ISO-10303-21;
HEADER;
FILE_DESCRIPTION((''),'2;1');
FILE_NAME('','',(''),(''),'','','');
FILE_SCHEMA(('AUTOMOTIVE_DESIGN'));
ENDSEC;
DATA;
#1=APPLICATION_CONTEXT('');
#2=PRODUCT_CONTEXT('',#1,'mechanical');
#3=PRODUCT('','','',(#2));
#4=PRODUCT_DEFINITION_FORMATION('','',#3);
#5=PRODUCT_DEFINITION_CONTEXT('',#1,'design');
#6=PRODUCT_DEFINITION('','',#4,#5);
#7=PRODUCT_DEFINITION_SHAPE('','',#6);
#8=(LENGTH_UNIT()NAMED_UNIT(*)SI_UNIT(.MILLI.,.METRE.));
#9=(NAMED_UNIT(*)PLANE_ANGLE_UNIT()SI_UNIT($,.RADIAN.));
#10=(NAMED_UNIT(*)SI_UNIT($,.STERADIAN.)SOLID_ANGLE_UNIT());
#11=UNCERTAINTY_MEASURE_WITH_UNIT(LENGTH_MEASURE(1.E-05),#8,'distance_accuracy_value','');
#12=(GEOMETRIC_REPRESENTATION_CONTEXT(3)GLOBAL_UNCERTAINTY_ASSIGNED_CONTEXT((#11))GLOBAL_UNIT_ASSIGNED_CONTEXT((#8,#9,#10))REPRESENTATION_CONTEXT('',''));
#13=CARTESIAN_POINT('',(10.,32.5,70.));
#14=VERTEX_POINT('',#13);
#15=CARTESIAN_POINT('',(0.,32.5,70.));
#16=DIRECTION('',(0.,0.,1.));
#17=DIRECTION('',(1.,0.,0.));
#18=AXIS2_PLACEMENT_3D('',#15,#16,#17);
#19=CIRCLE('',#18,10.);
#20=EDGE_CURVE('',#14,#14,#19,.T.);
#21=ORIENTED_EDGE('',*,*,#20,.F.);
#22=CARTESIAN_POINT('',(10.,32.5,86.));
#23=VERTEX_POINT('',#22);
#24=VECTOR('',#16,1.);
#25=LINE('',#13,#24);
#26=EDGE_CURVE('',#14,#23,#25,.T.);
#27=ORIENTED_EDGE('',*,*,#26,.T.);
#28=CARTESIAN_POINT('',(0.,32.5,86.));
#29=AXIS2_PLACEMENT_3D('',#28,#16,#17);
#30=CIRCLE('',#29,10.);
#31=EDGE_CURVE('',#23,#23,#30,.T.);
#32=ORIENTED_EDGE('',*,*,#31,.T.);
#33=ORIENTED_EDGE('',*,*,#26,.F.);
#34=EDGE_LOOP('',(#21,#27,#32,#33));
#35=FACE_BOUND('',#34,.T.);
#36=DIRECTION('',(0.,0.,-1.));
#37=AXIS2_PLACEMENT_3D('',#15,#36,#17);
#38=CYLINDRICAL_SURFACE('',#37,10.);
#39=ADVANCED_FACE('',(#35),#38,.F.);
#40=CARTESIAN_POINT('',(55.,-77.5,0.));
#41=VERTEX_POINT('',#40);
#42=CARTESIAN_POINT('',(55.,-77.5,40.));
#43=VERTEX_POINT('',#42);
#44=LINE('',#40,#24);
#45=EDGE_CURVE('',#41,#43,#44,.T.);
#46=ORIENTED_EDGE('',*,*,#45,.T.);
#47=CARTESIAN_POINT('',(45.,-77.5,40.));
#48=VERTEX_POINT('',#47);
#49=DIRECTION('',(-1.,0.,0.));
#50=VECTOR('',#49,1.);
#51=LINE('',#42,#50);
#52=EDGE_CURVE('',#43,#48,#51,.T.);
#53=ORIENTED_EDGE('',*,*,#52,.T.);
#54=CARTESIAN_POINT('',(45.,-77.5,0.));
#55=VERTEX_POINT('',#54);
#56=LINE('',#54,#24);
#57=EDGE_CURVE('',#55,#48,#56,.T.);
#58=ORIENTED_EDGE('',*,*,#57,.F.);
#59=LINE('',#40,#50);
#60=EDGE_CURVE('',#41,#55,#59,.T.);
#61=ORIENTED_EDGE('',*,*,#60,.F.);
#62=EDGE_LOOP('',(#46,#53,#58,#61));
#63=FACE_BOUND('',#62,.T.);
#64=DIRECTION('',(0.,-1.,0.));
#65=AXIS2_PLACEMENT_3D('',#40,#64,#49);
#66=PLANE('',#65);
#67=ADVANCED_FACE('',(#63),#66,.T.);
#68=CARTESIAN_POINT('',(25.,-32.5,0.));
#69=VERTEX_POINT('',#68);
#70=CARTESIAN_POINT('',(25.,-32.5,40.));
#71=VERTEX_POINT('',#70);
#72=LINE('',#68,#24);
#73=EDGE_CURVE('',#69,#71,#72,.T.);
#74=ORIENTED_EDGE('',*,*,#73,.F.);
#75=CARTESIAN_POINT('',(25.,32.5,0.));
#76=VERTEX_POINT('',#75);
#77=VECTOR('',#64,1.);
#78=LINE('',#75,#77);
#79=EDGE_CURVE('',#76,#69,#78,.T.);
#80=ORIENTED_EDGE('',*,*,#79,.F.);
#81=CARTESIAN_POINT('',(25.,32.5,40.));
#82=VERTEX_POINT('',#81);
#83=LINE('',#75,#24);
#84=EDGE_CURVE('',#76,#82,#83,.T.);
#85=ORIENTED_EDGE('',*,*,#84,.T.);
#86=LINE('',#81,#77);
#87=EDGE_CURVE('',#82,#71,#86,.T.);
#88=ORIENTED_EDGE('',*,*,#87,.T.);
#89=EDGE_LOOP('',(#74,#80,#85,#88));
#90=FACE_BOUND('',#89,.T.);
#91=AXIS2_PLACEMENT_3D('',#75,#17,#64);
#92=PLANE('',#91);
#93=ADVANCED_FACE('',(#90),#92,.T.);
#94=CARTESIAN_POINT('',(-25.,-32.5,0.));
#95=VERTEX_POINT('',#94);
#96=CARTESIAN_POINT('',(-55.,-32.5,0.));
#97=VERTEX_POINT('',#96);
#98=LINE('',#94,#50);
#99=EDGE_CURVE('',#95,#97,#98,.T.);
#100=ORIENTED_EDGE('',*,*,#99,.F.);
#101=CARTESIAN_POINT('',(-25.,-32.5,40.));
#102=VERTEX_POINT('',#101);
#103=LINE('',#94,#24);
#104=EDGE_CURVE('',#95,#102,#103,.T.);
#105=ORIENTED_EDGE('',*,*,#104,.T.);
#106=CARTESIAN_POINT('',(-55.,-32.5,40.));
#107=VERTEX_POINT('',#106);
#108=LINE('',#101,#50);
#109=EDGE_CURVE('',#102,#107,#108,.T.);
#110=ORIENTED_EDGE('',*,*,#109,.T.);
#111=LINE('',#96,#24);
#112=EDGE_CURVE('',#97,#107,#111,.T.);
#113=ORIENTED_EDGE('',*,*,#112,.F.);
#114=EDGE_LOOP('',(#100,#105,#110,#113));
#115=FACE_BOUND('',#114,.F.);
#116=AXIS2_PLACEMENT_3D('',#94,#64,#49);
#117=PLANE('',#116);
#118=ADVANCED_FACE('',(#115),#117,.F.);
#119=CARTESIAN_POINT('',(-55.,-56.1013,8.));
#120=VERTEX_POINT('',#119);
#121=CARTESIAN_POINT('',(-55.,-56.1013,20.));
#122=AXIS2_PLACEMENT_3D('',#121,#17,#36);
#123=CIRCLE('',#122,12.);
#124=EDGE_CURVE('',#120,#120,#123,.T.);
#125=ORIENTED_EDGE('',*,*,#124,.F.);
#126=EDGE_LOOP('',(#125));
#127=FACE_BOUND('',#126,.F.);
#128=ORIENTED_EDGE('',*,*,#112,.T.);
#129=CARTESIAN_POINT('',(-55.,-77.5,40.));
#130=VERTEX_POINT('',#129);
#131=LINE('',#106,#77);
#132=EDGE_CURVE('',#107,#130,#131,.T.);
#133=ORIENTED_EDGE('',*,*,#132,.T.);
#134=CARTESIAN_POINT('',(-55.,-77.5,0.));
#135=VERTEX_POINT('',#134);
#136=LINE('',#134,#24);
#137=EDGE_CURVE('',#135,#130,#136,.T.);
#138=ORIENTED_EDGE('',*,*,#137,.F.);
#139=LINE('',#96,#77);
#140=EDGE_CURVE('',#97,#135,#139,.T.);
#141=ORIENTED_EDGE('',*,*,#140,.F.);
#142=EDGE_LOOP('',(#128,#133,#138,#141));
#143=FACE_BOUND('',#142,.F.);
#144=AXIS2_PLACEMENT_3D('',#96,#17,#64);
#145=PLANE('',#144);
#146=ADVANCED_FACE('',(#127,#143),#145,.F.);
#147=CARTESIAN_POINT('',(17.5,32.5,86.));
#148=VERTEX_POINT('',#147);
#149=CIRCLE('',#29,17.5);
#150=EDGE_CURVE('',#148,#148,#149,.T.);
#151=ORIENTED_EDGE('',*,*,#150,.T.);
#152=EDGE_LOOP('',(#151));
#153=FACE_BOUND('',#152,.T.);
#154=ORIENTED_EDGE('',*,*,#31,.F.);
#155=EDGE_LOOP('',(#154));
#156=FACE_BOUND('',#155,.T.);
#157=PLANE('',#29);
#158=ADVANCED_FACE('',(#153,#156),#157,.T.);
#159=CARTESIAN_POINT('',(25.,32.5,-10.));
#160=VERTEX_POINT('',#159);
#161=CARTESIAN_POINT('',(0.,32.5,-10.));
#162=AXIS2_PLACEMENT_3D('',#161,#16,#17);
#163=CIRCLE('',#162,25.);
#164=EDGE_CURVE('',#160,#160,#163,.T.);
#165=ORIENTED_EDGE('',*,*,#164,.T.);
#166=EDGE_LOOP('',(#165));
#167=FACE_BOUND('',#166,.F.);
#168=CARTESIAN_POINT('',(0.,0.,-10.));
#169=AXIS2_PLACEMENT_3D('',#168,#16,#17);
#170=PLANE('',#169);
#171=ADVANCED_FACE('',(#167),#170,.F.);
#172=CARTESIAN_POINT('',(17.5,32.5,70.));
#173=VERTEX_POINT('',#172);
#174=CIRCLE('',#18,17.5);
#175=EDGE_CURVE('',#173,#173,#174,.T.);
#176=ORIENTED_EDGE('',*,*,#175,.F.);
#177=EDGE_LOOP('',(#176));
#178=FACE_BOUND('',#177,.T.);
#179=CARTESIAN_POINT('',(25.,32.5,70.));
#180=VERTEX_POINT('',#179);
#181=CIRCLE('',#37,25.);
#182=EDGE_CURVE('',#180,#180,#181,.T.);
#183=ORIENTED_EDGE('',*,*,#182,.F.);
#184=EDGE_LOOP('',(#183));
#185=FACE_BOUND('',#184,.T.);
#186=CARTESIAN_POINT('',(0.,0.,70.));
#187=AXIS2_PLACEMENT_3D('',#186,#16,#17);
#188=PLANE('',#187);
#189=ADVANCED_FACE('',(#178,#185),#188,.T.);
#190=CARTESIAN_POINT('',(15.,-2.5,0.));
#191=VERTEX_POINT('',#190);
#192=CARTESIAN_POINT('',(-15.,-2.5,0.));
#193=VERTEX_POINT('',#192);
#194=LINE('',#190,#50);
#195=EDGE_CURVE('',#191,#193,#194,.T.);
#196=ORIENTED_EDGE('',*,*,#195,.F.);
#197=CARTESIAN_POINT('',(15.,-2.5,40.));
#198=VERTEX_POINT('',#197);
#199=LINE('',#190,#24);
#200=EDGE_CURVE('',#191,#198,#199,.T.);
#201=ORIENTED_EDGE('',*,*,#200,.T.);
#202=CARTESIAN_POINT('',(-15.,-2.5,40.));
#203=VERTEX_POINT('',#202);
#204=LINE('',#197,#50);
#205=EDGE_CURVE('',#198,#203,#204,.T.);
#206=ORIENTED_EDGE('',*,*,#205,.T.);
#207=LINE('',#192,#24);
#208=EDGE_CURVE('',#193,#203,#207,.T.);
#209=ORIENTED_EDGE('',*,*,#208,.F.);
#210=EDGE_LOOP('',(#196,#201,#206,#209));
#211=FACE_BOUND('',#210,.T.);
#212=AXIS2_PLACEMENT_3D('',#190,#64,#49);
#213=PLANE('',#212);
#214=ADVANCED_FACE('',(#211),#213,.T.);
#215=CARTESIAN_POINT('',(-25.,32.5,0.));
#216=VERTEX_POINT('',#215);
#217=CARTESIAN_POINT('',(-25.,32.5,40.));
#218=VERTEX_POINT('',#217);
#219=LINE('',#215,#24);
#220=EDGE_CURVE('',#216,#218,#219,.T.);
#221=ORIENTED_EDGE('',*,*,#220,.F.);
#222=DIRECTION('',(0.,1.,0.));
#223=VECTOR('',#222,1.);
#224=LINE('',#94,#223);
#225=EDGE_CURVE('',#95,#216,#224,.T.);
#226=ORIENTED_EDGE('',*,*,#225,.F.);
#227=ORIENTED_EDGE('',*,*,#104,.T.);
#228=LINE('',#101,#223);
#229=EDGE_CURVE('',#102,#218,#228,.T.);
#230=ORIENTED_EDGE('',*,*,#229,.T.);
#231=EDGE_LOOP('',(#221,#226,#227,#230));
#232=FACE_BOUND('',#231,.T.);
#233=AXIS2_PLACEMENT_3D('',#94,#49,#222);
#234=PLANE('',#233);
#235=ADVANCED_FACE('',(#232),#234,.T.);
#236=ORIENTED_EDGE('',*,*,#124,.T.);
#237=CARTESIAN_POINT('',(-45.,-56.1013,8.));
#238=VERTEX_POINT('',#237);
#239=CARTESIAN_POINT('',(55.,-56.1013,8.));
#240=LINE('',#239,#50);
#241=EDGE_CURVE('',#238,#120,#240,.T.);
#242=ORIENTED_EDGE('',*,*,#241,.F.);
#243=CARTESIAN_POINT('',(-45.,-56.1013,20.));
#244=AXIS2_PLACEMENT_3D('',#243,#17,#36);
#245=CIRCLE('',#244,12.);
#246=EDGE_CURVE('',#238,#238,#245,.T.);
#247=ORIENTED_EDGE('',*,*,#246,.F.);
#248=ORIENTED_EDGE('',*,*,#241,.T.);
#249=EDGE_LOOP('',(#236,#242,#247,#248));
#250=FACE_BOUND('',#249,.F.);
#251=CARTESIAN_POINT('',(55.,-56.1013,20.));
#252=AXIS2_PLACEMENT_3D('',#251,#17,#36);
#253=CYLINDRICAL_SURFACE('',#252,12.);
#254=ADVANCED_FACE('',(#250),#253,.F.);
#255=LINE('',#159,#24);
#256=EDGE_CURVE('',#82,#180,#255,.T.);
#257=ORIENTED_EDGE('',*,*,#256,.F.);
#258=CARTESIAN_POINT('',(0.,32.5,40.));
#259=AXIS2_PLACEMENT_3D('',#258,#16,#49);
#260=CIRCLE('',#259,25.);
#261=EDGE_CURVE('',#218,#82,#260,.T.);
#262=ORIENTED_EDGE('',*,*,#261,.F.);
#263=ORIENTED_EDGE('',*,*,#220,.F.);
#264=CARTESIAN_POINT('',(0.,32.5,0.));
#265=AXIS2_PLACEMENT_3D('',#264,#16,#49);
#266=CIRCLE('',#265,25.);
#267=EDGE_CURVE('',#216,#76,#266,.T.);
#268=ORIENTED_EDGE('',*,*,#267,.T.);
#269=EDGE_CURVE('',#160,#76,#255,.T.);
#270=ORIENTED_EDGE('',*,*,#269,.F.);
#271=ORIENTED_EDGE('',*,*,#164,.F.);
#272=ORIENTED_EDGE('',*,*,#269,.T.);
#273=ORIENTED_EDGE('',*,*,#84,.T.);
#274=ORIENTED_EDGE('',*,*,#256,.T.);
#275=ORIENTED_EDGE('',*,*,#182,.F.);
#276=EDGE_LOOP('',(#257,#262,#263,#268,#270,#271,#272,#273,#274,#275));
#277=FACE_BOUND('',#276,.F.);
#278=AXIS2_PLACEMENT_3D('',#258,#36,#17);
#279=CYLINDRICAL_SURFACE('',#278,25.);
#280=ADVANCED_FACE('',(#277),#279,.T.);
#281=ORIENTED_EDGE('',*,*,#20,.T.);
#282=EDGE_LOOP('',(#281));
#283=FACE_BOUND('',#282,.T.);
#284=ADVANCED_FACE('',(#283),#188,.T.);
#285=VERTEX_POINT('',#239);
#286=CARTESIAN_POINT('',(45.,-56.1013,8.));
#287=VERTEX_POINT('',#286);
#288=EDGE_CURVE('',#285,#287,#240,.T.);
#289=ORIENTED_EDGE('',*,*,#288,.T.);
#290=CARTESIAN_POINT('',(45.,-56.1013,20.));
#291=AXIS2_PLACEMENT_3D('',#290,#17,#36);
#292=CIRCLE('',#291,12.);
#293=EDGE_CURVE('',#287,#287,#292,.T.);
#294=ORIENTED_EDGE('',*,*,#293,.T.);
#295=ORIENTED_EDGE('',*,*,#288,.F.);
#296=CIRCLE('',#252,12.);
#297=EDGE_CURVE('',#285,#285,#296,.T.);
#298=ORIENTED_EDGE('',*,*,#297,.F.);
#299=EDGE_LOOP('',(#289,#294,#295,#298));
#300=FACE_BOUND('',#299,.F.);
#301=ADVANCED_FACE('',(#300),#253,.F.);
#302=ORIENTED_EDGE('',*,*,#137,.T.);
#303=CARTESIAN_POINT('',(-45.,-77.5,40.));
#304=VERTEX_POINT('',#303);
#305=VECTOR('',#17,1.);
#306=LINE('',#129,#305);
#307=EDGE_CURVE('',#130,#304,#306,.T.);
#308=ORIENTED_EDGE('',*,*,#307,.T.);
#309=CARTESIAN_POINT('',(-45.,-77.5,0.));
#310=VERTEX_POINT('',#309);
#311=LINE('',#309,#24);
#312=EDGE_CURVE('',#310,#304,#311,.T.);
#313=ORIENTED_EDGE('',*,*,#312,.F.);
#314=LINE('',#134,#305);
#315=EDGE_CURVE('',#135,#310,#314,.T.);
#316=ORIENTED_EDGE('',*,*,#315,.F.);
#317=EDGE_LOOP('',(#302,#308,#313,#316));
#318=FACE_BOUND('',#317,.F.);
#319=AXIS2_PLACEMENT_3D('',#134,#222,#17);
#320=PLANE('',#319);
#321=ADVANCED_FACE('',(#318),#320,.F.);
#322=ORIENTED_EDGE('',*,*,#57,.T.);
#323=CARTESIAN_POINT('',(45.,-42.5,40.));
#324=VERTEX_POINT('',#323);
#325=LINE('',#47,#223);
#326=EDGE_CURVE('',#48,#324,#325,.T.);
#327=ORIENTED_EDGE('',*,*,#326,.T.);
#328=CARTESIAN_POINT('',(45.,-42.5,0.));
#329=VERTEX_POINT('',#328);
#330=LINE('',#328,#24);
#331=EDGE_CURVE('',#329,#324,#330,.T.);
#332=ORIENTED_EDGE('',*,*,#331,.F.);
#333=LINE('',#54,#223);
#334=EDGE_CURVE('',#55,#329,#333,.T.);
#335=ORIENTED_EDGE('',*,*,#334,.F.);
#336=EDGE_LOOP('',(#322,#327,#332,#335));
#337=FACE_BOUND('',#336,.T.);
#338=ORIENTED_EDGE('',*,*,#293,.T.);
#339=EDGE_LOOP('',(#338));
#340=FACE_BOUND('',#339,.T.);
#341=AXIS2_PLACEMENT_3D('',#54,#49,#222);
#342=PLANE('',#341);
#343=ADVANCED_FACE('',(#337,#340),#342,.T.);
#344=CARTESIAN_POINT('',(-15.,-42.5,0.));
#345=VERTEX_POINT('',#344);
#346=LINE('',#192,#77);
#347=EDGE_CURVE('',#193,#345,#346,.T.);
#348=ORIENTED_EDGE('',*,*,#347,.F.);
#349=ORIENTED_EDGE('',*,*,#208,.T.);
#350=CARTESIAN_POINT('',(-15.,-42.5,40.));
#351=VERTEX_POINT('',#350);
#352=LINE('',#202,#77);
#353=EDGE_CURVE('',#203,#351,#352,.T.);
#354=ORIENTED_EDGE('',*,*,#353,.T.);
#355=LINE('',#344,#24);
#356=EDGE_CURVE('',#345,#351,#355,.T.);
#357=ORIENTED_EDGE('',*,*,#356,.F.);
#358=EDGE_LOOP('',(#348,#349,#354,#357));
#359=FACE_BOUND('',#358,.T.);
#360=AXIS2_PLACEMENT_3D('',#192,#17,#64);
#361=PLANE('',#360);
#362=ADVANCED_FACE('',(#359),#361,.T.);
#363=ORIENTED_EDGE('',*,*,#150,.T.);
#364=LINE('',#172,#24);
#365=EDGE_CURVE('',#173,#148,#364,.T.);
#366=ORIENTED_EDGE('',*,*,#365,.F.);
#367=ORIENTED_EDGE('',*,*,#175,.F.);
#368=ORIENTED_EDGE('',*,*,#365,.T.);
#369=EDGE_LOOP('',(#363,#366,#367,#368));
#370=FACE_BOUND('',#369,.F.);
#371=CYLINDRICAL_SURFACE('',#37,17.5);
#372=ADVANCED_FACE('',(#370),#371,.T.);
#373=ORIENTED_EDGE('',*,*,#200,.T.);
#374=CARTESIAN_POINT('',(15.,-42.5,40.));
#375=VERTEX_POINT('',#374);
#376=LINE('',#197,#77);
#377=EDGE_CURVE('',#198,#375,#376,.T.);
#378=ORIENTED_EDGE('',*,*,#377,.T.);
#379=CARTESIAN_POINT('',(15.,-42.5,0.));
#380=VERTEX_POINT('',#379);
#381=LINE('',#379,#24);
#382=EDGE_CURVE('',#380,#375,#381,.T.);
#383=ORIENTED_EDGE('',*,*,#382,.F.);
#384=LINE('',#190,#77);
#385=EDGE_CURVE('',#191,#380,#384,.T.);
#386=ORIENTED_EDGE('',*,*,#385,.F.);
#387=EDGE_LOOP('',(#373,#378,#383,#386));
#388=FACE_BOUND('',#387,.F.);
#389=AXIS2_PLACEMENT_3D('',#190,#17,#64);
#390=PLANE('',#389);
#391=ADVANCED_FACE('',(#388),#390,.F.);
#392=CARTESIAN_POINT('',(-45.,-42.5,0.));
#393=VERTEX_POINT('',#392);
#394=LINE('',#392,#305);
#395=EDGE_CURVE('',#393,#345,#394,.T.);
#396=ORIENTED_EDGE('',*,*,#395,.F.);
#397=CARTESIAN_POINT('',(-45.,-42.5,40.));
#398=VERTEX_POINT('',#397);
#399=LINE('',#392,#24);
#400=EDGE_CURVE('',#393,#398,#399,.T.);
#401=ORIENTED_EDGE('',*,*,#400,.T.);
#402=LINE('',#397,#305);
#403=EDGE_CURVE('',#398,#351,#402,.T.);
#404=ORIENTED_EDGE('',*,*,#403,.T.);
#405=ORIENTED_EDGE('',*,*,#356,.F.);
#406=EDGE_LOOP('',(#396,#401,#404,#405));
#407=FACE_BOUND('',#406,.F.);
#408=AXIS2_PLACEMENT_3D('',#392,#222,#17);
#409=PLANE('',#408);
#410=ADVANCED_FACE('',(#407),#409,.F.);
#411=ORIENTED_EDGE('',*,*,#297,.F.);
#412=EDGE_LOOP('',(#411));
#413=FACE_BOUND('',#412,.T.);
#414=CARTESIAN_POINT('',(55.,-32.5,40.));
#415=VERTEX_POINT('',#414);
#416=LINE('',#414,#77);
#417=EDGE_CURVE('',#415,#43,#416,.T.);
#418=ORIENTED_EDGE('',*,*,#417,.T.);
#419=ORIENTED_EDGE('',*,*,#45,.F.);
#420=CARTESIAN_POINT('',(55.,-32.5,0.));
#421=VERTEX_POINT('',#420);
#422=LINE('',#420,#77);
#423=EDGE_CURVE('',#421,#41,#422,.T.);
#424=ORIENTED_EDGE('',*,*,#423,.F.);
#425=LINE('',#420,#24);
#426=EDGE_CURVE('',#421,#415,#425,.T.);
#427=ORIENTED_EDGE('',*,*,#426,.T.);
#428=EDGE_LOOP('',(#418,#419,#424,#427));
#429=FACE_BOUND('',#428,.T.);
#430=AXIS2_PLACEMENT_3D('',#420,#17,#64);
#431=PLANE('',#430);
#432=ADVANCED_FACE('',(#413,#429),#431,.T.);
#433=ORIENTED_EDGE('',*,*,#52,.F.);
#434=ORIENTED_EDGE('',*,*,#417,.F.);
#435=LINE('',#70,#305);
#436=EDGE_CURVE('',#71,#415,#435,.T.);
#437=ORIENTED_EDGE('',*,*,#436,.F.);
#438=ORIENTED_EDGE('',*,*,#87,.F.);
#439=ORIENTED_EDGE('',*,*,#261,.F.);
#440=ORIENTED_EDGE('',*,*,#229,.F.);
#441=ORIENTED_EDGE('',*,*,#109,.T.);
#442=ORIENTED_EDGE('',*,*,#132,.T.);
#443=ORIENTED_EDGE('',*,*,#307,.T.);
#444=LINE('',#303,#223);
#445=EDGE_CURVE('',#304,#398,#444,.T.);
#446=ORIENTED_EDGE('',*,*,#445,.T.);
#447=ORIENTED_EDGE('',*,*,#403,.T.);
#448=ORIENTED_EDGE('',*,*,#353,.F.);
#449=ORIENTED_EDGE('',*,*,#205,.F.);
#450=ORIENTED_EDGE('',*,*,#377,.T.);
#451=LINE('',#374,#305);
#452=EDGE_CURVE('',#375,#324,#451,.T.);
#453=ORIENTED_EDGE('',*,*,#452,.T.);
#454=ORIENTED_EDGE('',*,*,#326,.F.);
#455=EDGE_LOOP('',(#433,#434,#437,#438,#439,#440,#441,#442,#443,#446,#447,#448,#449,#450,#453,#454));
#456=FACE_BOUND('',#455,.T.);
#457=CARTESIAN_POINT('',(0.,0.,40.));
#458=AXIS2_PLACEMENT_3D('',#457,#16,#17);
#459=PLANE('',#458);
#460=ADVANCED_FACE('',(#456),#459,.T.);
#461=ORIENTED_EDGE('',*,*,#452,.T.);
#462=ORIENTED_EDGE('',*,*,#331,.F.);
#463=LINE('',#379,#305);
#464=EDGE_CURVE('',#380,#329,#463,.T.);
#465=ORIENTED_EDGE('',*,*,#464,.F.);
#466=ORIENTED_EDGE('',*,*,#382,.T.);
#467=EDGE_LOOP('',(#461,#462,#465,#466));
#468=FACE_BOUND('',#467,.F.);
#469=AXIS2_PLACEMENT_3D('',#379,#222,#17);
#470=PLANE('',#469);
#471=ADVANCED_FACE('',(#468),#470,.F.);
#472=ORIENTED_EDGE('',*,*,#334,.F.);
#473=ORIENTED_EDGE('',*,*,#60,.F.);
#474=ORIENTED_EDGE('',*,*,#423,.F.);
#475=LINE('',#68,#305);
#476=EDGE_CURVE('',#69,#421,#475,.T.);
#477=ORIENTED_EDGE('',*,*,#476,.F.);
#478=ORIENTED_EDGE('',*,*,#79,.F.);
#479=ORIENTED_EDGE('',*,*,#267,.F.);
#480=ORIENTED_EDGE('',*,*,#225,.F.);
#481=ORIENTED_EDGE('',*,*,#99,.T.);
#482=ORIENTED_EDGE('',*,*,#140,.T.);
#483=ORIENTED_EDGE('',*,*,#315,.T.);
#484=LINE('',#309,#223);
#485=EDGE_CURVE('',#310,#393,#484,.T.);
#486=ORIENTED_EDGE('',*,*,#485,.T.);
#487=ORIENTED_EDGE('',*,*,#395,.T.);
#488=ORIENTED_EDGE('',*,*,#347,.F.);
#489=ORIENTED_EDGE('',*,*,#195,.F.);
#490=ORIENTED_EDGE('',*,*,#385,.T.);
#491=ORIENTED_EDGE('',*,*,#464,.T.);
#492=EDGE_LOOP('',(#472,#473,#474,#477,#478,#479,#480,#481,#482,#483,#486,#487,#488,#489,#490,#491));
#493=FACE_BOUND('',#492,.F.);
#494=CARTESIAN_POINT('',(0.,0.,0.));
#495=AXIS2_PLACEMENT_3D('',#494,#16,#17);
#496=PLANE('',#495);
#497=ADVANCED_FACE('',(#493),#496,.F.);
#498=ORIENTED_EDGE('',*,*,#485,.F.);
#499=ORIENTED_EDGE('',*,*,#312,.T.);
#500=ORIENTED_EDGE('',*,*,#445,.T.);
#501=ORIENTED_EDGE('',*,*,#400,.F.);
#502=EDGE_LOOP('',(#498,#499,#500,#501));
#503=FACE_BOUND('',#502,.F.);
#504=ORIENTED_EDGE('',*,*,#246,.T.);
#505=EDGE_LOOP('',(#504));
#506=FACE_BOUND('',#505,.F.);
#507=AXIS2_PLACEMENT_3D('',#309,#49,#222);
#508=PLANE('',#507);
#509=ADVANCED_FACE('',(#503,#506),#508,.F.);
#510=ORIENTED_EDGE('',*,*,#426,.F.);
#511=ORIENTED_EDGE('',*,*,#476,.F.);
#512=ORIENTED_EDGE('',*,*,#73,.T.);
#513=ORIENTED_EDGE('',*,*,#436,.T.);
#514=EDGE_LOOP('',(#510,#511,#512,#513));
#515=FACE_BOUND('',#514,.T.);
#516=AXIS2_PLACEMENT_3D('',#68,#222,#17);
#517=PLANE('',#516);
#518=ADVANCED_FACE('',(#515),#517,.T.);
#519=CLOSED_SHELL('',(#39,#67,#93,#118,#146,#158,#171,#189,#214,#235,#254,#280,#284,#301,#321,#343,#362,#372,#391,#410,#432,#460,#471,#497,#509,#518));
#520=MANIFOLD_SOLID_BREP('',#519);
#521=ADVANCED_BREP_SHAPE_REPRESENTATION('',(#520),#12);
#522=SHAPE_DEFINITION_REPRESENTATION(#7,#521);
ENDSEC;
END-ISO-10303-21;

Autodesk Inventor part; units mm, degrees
ref_plane "YZ Plane" through (0, 0, 0) normal (1, 0, 0) x (0, 1, 0)
ref_plane "XZ Plane" through (0, 0, 0) normal (0, 1, 0) x (-1, 0, 0)
ref_plane "XY Plane" through (0, 0, 0) normal (0, 0, 1) x (1, 0, 0)
sketch "Sketch1" plane through (0, 0, 0) normal (0, 0, 1) x (1, 0, 0)
  line L0 (-346.0753, 70.9014) -> (-181.3844, 70.9014) construction
  line L1 (-181.3844, 70.9014) -> (-181.3844, -72.4094) construction
  line L2 (-181.3844, -72.4094) -> (-346.0753, -72.4094) construction
  line L3 (-346.0753, -72.4094) -> (-346.0753, 70.9014) construction
  line L4 (25, 32.5) -> (25, -32.5)
  line L5 (-25, -32.5) -> (-25, 32.5)
  line L6 (-25, 32.5) -> (25, -32.5) construction
  line L7 (25, 32.5) -> (-25, -32.5) construction
  line L8 (15, -2.5) -> (-15, -2.5)
  arc A0 (-25, 32.5) -> (25, 32.5) centre (0, 32.5) ccw
  line L9 (-25, -32.5) -> (-55, -32.5)
  line L10 (-55, -32.5) -> (-55, -77.5)
  line L11 (-55, -77.5) -> (-45, -77.5)
  line L12 (-45, -77.5) -> (-45, -42.5)
  line L13 (25, -32.5) -> (55, -32.5)
  line L14 (55, -32.5) -> (55, -77.5)
  line L15 (55, -77.5) -> (45, -77.5)
  line L16 (45, -77.5) -> (45, -42.5)
  line L17 (-15, -2.5) -> (-15, -42.5)
  line L18 (15, -2.5) -> (15, -42.5)
  line L19 (-45, -42.5) -> (-15, -42.5)
  line L20 (15, -42.5) -> (45, -42.5)
  point P0 (0, 0)
  dimension "d3" = 50
  dimension "d4" = 65
  dimension "d15" = 25
  dimension "d16" = 90
  dimension "d18" = 30
  dimension "d19" = 45
extrude "Extrusion1" add sketch "Sketch1" along normal blind 40
sketch "Sketch2" plane through (0, 0, 40) normal (0, 0, 1) x (1, 0, 0)
  arc A0 (-25, 32.5) -> (25, 32.5) centre (0, 32.5) ccw projected
  circle A1 centre (0, 32.5) radius 25
  point P0 (0, 0)
  point P1 (25, 32.5)
  dimension "d26" = 50
extrude "Extrusion2" add sketch "Sketch2" along normal blind 30 and the other way blind 50
sketch "Sketch3" plane through (0, 32.5, 70) normal (0, 0, 1) x (1, 0, 0)
  arc A0 (-25, 0) -> (25, 0) centre (0, 0) ccw projected
  circle A1 centre (0, 0) radius 17.5
  circle A2 centre (0, 0) radius 10
  point P0 (0, -32.5)
  dimension "d31" = 35
  dimension "d32" = 20
extrude "Extrusion3" add sketch "Sketch3" along normal blind 16
sketch "Sketch4" plane through (45, -77.5, 0) normal (0, -1, 0) x (1, 0, 0)
  point P0 (-45, 0)
sketch "Sketch5" plane through (55, -77.5, 0) normal (1, 0, 0) x (0, 0, -1)
  circle A0 centre (-20, 21.3987) radius 12
  line L0 (0, 0) -> (0, 45) projected
  point P0 (0, 77.5)
  dimension "d35" = 24
  dimension "d36" = 20
extrude "Extrusion4" cut sketch "Sketch5" against normal blind 120
properties part number "cad@54"
